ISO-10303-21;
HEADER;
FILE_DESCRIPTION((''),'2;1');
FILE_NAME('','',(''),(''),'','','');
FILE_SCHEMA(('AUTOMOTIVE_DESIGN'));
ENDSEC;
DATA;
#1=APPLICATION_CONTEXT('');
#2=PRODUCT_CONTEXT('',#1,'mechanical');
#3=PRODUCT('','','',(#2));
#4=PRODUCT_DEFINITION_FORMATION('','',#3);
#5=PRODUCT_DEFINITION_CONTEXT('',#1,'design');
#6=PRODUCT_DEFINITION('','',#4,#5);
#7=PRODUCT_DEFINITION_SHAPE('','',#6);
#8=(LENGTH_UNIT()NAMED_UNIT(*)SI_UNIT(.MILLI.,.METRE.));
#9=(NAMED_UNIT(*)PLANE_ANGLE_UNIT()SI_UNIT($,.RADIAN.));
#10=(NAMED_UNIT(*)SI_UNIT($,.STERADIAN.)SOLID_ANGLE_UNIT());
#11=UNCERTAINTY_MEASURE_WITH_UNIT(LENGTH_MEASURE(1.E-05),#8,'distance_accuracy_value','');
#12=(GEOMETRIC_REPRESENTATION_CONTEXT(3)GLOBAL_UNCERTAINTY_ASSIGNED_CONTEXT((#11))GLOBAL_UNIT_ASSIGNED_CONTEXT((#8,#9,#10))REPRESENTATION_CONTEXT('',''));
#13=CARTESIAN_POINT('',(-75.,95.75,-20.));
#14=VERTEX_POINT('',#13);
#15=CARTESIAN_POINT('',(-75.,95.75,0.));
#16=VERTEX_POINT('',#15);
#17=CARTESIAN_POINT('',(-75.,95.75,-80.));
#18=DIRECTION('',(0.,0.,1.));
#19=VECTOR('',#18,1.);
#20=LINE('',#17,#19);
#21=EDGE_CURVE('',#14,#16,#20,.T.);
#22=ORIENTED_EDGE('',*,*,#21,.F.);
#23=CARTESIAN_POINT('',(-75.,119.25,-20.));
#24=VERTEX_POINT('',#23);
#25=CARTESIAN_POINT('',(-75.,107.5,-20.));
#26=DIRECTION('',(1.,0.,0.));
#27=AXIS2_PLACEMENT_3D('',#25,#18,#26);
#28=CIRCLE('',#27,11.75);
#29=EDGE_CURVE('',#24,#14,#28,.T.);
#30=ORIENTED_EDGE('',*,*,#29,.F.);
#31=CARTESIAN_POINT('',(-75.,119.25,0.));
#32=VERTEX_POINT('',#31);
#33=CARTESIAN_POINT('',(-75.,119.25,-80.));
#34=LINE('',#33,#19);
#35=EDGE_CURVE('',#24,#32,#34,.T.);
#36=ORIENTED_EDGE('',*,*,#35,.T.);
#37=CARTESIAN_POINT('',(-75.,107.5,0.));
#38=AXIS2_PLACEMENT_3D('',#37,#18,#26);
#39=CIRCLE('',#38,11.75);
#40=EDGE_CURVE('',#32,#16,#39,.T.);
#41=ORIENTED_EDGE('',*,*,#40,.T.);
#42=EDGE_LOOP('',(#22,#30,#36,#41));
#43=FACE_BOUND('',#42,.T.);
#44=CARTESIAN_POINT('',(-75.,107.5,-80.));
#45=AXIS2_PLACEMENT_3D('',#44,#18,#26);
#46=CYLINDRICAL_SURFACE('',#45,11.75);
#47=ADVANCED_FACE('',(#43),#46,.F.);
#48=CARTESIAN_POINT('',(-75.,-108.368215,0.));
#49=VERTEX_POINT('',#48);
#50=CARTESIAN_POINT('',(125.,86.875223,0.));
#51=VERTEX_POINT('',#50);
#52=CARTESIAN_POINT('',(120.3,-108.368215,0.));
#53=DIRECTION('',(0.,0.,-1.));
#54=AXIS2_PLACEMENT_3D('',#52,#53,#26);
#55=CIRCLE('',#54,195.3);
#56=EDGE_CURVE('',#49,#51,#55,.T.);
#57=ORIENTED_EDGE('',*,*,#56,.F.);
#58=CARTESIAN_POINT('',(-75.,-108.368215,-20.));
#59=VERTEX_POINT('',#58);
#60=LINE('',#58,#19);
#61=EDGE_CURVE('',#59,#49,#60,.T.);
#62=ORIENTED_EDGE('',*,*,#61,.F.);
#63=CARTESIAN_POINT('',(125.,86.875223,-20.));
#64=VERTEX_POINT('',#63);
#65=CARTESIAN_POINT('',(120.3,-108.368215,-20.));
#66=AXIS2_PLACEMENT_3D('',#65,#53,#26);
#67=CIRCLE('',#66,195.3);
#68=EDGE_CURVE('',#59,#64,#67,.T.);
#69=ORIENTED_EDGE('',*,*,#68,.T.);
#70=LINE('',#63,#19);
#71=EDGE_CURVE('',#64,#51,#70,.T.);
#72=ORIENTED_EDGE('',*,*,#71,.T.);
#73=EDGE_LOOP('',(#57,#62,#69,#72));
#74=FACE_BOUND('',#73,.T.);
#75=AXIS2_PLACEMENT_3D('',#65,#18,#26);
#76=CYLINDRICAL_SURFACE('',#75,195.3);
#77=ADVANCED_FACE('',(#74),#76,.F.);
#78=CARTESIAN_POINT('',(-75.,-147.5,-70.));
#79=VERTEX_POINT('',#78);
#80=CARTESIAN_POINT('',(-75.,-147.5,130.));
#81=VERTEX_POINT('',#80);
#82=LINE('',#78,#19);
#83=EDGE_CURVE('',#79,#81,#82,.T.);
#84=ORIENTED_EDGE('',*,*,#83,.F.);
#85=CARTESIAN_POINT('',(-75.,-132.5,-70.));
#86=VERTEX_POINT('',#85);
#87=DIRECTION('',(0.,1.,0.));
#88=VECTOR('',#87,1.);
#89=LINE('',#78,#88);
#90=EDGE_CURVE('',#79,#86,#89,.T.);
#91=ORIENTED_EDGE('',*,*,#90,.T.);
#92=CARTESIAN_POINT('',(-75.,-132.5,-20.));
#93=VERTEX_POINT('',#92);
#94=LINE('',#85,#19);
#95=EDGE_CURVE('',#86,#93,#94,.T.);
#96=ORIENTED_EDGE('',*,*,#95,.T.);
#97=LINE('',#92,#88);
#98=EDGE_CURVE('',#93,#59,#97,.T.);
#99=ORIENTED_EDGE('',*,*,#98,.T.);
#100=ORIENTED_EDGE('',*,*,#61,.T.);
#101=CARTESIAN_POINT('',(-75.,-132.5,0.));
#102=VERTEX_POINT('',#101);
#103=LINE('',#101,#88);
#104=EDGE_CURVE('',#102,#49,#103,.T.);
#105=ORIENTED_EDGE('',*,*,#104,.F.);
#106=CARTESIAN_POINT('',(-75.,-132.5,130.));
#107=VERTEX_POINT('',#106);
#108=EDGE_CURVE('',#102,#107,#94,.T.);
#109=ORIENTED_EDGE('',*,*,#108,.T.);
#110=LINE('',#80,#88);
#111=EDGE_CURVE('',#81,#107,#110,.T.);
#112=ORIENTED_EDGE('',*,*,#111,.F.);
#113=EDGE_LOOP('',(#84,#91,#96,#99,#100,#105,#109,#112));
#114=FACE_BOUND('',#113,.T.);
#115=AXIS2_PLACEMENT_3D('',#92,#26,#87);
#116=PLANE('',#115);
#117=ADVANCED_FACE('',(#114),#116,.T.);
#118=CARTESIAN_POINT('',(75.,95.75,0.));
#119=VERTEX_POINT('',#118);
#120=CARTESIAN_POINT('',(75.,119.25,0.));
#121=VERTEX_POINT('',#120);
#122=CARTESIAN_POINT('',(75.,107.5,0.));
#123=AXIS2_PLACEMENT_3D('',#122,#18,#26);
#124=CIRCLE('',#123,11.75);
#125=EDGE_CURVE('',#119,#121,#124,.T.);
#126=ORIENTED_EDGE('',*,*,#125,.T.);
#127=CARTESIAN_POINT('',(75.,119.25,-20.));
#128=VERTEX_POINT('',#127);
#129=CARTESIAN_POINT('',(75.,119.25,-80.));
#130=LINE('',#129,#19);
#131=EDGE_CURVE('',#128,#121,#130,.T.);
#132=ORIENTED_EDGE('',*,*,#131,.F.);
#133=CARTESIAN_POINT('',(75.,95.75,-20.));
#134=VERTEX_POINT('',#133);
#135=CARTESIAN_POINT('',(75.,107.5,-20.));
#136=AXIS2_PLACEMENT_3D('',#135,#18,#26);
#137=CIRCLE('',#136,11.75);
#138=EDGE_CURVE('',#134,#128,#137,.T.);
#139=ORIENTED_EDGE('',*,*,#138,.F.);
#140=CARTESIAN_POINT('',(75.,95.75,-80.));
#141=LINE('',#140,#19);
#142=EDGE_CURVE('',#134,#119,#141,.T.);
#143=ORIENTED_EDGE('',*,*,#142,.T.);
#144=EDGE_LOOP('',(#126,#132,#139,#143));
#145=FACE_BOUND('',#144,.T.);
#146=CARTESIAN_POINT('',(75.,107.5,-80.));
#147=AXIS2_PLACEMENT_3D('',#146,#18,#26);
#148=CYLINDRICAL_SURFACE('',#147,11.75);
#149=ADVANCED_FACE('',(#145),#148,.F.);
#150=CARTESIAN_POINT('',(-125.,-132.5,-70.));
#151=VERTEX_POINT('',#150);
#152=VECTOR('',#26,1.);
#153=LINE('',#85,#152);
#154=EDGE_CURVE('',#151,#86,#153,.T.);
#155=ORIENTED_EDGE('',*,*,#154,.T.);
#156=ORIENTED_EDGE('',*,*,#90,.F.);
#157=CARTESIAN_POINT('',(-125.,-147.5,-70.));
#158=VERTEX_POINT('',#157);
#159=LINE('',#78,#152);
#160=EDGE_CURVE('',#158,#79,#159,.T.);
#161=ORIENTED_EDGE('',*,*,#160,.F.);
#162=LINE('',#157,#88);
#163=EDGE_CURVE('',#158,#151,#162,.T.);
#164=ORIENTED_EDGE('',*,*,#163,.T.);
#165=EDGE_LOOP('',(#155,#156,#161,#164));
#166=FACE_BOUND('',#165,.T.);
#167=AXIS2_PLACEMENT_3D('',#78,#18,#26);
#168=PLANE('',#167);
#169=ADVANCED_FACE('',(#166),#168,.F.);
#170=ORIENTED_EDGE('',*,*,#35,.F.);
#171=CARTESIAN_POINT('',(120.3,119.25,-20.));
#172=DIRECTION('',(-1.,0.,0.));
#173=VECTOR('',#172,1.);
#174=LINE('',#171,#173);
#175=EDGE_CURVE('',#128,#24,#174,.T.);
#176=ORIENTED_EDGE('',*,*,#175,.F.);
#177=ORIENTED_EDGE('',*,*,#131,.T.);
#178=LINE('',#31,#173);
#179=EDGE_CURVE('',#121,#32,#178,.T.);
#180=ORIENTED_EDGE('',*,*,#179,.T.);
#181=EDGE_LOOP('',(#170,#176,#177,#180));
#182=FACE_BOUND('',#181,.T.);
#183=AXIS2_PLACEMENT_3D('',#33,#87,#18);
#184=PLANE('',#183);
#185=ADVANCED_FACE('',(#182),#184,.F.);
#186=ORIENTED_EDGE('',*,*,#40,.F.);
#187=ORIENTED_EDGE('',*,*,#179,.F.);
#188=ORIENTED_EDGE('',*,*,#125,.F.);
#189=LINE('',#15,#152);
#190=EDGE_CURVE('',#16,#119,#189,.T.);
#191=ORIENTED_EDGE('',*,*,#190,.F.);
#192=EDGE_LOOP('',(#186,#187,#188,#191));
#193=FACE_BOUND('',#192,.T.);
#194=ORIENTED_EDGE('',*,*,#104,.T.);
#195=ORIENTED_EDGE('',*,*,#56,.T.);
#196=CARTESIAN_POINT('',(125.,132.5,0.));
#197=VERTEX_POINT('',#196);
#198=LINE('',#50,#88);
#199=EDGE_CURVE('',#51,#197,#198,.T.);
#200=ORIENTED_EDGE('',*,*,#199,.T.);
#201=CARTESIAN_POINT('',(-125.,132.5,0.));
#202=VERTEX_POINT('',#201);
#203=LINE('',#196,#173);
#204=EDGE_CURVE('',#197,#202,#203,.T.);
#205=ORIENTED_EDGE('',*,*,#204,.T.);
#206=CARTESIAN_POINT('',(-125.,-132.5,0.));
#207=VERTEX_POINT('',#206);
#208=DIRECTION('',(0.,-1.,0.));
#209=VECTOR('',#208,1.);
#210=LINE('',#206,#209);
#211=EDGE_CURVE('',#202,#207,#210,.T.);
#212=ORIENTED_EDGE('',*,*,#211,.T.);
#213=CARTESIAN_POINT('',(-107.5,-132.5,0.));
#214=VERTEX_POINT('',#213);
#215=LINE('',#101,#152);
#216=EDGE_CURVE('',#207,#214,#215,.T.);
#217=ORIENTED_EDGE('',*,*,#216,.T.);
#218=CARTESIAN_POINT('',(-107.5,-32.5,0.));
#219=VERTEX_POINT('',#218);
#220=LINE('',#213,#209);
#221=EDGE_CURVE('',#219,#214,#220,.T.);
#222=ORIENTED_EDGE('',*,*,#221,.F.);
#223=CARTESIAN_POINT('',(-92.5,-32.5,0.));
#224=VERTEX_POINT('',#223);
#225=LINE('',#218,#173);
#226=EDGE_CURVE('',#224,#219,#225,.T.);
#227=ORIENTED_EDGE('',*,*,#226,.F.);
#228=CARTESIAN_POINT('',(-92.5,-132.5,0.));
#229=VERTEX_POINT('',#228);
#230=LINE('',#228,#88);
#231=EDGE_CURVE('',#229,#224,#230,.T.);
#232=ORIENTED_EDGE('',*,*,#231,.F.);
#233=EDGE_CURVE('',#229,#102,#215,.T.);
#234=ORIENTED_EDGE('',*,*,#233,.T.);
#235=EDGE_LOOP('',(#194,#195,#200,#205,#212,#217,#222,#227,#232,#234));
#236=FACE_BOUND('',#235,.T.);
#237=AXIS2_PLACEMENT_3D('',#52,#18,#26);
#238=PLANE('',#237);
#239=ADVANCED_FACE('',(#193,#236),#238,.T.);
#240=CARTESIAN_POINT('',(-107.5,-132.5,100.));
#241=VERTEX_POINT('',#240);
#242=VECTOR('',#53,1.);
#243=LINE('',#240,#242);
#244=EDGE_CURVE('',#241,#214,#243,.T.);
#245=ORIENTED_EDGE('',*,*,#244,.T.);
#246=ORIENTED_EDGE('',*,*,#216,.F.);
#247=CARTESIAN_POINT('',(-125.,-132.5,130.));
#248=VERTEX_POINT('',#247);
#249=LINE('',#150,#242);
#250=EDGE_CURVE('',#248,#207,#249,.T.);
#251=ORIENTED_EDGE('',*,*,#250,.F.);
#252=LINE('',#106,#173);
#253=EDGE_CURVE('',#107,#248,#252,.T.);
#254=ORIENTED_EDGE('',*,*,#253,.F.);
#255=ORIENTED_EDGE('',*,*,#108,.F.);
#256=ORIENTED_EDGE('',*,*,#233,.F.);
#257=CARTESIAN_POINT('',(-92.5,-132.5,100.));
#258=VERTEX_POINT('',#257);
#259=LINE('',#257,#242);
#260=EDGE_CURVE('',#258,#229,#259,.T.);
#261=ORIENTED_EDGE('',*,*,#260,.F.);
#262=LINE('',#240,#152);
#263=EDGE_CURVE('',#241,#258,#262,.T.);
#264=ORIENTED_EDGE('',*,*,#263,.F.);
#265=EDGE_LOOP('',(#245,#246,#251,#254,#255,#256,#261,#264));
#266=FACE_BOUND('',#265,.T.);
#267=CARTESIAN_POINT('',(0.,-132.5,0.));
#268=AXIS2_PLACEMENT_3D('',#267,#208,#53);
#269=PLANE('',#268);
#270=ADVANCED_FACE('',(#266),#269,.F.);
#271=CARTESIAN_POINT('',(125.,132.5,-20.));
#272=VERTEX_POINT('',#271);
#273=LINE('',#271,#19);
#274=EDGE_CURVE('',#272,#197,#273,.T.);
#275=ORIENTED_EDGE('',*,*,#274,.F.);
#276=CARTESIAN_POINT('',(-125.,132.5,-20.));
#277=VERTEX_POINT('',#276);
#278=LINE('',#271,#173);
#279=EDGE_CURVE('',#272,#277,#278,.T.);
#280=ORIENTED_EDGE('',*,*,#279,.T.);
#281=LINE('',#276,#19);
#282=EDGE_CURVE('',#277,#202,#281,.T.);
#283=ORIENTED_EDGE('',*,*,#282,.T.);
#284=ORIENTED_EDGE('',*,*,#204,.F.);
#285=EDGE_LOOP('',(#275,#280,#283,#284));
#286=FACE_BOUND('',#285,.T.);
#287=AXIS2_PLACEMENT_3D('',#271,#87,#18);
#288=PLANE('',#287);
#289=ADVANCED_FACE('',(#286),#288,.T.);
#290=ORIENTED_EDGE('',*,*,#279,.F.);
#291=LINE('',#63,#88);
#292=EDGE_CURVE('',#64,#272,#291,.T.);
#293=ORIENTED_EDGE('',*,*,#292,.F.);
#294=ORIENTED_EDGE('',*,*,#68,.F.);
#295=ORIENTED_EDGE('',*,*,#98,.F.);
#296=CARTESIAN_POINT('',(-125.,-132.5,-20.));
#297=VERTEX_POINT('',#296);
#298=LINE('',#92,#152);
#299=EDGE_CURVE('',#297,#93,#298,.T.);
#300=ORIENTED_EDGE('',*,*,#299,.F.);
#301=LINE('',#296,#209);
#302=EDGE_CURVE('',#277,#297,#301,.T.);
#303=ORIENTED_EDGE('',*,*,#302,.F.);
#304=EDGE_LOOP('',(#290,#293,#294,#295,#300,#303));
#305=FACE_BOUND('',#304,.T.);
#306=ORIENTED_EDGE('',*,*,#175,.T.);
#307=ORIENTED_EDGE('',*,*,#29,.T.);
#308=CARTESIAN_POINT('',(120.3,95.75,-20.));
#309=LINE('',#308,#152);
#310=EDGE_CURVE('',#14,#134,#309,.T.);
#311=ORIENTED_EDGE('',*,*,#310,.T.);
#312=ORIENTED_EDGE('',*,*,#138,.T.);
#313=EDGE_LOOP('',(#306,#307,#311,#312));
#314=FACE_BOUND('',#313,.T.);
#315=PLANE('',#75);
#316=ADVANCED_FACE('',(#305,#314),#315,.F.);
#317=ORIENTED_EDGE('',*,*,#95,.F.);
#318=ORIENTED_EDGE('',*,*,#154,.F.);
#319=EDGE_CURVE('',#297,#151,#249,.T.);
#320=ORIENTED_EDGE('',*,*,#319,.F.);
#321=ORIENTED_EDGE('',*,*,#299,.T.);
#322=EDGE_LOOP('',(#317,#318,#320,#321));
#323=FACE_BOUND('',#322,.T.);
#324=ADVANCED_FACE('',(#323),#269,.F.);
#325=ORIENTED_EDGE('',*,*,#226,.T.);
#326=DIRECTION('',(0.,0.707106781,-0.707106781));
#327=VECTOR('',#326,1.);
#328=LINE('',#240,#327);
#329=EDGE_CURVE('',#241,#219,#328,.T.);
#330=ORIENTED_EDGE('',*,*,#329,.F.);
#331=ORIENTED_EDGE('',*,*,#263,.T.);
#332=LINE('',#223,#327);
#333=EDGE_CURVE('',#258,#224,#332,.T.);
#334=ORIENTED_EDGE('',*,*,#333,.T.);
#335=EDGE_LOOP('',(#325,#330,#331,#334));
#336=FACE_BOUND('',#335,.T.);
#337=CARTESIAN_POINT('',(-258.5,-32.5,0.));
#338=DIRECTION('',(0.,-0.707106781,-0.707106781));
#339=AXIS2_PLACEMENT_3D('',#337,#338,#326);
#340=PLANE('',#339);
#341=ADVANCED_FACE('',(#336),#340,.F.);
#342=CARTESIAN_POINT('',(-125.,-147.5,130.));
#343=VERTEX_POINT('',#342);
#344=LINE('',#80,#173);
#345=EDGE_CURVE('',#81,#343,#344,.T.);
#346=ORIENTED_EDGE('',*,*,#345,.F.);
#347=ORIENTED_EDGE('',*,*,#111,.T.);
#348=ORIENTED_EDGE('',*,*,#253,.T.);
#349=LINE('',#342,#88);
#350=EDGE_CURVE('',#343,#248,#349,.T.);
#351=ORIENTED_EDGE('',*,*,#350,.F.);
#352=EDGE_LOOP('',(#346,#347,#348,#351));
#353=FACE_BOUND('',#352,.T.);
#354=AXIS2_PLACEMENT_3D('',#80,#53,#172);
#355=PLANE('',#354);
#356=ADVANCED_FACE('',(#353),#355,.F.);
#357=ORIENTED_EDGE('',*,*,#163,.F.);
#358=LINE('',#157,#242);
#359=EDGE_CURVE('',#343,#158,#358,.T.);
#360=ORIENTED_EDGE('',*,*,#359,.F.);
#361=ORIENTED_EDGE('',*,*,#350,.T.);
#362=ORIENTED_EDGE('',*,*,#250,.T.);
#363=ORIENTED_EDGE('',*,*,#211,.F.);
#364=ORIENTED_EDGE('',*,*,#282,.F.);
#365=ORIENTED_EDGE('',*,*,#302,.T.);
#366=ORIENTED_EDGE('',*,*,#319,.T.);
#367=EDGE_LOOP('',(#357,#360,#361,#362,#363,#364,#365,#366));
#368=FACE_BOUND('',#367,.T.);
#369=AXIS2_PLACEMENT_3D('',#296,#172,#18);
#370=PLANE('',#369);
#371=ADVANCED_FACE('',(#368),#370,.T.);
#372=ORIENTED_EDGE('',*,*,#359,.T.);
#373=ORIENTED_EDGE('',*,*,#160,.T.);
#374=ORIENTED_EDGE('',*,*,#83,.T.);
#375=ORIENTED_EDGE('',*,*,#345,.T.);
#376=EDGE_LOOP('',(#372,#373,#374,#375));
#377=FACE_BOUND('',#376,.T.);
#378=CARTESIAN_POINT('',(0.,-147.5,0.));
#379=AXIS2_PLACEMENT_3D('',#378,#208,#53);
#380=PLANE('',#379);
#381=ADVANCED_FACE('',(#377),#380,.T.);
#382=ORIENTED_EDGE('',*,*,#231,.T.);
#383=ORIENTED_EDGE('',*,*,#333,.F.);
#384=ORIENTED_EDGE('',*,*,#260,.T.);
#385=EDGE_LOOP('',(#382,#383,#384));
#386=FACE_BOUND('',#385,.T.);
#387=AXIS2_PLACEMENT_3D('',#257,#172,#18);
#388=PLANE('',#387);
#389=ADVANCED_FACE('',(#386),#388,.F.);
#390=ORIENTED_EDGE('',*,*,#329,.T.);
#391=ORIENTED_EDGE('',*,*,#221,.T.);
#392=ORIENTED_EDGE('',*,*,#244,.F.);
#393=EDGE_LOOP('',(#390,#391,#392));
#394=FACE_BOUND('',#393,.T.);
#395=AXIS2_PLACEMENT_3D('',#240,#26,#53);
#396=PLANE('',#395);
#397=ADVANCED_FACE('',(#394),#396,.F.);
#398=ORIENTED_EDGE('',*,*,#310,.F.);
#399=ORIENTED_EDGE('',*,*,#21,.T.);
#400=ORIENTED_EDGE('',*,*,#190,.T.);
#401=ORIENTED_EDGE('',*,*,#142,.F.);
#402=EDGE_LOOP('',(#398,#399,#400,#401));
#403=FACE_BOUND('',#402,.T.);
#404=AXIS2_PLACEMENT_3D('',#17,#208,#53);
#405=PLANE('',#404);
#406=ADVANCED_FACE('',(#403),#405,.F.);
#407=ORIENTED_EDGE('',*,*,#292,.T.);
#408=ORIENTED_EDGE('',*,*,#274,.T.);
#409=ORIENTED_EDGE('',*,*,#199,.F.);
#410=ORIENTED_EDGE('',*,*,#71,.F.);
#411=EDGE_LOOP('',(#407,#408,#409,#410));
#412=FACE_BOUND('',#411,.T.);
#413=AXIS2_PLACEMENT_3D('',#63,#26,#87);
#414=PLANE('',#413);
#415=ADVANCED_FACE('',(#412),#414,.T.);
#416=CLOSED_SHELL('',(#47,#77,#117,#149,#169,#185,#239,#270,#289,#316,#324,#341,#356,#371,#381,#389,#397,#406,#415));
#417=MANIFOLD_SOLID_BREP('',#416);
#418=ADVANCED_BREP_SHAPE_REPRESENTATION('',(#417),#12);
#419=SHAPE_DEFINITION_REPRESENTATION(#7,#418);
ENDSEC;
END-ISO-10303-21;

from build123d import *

# Parameters (mm, degrees)
BOSS_EXTRUDE1_DEPTH = 20
CUT_EXTRUDE1_DEPTH  = 80
SKETCH3_W           = 15
SKETCH3_H           = 100
BOSS_EXTRUDE2_DEPTH = 100
SKETCH10_W          = 50
SKETCH10_H          = 200
BOSS_EXTRUDE4_DEPTH = 15
CUT_EXTRUDE3_DEPTH  = 166


with BuildPart() as part:
    # Sketch1 → Boss-Extrude1 (new body)
    with BuildSketch(Plane.XY):
        with BuildLine():
            Line((-75, -132.5), (-125, -132.5))
            Line((-125, -132.5), (-125, 132.5))
            Line((-125, 132.5), (125, 132.5))
            Line((125, 132.5), (125, 86.875222581))
            ThreePointArc((125, 86.875222581), (-16.12613386, 31.381561178), (-75, -108.368215209))
            Line((-75, -108.368215209), (-75, -132.5))
        make_face()
    extrude(amount=-BOSS_EXTRUDE1_DEPTH)

    # Sketch2 → Cut-Extrude1 (cut)
    with BuildSketch(Plane.XY):
        with BuildLine():
            Line((-75, 119.25), (75, 119.25))
            ThreePointArc((75, 119.25), (86.75, 107.5), (75, 95.75))
            Line((75, 95.75), (-75, 95.75))
            ThreePointArc((-75, 95.75), (-86.75, 107.5), (-75, 119.25))
        make_face()
    extrude(amount=-CUT_EXTRUDE1_DEPTH, mode=Mode.SUBTRACT)

    # Sketch3 → Boss-Extrude2 (add)
    with BuildSketch(Plane.XY):
        with Locations((-100, -82.5)):
            Rectangle(SKETCH3_W, SKETCH3_H)
    extrude(amount=BOSS_EXTRUDE2_DEPTH)

    # Sketch10 → Boss-Extrude4 (add)
    with BuildSketch(Plane.XZ.offset(132.5)):
        with Locations((-100, 30)):
            Rectangle(SKETCH10_W, SKETCH10_H)
    extrude(amount=BOSS_EXTRUDE4_DEPTH)

    # Sketch11 → Cut-Extrude3 (cut)
    with BuildSketch(Plane(origin=(-92.5, 0, 0), x_dir=(0, 0, -1), z_dir=(1, 0, 0))):
        Polygon((0, -32.5), (-100, -132.5), (-100, -32.5), align=None)
    extrude(amount=-CUT_EXTRUDE3_DEPTH, mode=Mode.SUBTRACT)


solid = part.part
